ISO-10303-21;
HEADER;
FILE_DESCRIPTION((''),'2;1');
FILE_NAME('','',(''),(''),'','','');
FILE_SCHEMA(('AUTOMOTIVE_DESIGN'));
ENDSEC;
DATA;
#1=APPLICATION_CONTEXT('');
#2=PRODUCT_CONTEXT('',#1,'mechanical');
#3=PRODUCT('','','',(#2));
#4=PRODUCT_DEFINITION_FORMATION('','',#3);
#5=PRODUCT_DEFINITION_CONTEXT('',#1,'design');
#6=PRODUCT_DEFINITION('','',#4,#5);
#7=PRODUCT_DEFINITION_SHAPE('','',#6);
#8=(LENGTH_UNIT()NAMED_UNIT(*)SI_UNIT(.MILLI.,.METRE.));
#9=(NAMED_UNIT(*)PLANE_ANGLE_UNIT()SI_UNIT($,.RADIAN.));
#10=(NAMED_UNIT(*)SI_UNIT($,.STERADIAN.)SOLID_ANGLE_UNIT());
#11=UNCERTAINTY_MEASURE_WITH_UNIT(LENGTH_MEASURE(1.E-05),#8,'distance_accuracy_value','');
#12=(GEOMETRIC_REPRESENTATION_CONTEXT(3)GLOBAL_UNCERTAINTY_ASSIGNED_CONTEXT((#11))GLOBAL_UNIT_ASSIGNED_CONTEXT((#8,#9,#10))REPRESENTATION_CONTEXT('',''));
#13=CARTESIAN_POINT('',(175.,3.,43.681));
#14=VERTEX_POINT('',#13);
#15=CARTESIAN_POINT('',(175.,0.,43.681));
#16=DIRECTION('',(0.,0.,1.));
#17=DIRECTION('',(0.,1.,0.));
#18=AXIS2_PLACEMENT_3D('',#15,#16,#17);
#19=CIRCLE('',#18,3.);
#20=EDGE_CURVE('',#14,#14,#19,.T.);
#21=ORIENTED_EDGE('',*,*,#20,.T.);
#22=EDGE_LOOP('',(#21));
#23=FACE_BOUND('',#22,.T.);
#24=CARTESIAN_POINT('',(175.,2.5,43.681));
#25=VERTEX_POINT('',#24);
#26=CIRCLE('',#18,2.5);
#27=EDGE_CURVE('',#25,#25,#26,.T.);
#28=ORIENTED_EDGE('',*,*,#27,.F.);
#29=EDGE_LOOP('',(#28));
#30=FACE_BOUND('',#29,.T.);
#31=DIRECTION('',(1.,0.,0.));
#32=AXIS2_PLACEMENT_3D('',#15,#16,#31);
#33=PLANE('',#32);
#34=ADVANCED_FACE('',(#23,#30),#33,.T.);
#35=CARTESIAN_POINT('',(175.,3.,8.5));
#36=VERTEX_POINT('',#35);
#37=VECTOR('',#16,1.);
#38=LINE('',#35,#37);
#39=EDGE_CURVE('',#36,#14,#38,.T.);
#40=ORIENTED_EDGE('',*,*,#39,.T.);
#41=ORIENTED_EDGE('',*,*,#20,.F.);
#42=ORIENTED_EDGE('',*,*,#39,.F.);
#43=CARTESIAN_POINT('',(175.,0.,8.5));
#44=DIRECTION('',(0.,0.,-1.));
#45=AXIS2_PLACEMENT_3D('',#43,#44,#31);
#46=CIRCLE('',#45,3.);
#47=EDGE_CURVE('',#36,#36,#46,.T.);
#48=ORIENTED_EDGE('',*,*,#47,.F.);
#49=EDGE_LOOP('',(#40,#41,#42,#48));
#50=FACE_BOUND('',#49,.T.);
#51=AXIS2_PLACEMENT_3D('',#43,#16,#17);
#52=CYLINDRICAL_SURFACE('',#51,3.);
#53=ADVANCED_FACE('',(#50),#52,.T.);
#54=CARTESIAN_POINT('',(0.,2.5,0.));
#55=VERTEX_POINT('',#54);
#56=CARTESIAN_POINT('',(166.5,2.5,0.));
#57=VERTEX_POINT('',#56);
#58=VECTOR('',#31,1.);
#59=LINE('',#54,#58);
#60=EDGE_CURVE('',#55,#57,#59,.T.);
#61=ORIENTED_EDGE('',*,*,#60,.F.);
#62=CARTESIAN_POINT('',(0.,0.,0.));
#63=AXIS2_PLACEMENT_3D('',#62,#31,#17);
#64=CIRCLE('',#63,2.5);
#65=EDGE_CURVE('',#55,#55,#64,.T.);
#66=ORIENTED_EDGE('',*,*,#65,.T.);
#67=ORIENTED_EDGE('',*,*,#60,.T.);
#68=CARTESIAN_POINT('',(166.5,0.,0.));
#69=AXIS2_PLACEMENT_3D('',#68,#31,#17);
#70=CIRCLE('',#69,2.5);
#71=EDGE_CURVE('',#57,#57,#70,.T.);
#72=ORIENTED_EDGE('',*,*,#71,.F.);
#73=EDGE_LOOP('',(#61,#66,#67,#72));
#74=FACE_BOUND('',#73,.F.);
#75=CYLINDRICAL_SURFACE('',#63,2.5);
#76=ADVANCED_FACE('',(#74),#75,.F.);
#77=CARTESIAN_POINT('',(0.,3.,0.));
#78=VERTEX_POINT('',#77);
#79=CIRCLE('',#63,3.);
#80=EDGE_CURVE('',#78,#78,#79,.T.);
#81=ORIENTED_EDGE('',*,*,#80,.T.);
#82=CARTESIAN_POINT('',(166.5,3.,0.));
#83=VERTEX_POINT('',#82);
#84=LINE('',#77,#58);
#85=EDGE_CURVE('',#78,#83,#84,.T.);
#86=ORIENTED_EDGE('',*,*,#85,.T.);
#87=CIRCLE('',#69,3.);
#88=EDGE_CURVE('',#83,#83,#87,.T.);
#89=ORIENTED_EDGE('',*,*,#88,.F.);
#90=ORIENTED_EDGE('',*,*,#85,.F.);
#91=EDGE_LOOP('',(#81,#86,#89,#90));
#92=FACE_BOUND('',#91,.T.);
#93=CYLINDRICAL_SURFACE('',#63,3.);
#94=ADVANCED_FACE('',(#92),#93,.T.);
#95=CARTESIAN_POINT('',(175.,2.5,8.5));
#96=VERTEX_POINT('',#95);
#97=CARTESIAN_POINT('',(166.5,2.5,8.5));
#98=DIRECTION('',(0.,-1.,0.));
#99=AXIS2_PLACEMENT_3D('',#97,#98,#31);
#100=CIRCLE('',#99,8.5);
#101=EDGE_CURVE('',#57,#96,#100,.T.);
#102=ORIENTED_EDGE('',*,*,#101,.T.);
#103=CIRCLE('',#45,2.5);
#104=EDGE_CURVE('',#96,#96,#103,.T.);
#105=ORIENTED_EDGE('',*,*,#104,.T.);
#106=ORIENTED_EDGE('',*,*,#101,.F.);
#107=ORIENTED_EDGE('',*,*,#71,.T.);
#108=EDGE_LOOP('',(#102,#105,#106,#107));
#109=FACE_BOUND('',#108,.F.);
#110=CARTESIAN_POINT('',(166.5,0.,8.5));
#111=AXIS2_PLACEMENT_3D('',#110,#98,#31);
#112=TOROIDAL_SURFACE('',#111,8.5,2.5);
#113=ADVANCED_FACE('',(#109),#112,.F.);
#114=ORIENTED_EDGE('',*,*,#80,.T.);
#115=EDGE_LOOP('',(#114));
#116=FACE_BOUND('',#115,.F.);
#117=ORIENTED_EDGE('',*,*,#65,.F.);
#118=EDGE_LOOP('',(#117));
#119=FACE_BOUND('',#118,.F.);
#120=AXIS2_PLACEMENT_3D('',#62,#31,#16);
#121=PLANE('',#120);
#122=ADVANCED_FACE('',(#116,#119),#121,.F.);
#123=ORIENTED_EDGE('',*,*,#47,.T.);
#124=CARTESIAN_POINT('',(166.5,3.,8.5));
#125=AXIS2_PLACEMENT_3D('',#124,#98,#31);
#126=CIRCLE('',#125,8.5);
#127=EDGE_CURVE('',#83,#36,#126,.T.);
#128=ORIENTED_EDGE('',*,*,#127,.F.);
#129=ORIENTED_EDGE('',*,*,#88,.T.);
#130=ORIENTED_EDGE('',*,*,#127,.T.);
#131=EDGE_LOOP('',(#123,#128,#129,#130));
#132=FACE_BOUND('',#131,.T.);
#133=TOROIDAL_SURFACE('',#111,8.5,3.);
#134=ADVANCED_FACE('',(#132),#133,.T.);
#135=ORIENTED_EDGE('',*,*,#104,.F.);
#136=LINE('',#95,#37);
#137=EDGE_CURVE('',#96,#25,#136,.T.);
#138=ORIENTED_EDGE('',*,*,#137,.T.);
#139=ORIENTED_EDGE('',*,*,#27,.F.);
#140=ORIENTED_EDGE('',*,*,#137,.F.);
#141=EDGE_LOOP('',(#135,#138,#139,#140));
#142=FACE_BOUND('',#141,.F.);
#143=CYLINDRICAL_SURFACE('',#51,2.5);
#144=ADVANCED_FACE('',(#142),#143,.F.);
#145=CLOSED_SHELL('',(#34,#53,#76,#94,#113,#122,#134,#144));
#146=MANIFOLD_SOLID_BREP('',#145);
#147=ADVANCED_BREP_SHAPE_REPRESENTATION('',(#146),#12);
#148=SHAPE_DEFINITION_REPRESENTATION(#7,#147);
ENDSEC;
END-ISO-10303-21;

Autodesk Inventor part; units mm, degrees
ref_plane "YZ Plane" through (0, 0, 0) normal (1, 0, 0) x (0, 1, 0)
ref_plane "XZ Plane" through (0, 0, 0) normal (0, 1, 0) x (-1, 0, 0)
ref_plane "XY Plane" through (0, 0, 0) normal (0, 0, 1) x (1, 0, 0)
sketch "Sketch1" plane through (0, 0, 0) normal (0, 1, 0) x (-1, 0, 0)
  line L0 (0, 0) -> (-166.5, 0)
  line L1 (-166.5, 0) -> (-166.5, 8.5) construction
  arc A0 (-175, 8.5) -> (-166.5, 0) centre (-166.5, 8.5) ccw
  line L2 (-175, 8.5) -> (-175, 43.681)
  dimension "d1" = 8.5
  dimension "d2" = 35.181
sketch "Sketch2" plane through (0, 0, 0) normal (1, 0, 0) x (0, 1, 0)
  circle A0 centre (0, 0) radius 3
  circle A1 centre (0, 0) radius 2.5
  dimension "d3" = 6
  dimension "d4" = 5
sweep "Sweep1" add profiles "Sketch2" path "Sketch1"
properties part number "Tube"
